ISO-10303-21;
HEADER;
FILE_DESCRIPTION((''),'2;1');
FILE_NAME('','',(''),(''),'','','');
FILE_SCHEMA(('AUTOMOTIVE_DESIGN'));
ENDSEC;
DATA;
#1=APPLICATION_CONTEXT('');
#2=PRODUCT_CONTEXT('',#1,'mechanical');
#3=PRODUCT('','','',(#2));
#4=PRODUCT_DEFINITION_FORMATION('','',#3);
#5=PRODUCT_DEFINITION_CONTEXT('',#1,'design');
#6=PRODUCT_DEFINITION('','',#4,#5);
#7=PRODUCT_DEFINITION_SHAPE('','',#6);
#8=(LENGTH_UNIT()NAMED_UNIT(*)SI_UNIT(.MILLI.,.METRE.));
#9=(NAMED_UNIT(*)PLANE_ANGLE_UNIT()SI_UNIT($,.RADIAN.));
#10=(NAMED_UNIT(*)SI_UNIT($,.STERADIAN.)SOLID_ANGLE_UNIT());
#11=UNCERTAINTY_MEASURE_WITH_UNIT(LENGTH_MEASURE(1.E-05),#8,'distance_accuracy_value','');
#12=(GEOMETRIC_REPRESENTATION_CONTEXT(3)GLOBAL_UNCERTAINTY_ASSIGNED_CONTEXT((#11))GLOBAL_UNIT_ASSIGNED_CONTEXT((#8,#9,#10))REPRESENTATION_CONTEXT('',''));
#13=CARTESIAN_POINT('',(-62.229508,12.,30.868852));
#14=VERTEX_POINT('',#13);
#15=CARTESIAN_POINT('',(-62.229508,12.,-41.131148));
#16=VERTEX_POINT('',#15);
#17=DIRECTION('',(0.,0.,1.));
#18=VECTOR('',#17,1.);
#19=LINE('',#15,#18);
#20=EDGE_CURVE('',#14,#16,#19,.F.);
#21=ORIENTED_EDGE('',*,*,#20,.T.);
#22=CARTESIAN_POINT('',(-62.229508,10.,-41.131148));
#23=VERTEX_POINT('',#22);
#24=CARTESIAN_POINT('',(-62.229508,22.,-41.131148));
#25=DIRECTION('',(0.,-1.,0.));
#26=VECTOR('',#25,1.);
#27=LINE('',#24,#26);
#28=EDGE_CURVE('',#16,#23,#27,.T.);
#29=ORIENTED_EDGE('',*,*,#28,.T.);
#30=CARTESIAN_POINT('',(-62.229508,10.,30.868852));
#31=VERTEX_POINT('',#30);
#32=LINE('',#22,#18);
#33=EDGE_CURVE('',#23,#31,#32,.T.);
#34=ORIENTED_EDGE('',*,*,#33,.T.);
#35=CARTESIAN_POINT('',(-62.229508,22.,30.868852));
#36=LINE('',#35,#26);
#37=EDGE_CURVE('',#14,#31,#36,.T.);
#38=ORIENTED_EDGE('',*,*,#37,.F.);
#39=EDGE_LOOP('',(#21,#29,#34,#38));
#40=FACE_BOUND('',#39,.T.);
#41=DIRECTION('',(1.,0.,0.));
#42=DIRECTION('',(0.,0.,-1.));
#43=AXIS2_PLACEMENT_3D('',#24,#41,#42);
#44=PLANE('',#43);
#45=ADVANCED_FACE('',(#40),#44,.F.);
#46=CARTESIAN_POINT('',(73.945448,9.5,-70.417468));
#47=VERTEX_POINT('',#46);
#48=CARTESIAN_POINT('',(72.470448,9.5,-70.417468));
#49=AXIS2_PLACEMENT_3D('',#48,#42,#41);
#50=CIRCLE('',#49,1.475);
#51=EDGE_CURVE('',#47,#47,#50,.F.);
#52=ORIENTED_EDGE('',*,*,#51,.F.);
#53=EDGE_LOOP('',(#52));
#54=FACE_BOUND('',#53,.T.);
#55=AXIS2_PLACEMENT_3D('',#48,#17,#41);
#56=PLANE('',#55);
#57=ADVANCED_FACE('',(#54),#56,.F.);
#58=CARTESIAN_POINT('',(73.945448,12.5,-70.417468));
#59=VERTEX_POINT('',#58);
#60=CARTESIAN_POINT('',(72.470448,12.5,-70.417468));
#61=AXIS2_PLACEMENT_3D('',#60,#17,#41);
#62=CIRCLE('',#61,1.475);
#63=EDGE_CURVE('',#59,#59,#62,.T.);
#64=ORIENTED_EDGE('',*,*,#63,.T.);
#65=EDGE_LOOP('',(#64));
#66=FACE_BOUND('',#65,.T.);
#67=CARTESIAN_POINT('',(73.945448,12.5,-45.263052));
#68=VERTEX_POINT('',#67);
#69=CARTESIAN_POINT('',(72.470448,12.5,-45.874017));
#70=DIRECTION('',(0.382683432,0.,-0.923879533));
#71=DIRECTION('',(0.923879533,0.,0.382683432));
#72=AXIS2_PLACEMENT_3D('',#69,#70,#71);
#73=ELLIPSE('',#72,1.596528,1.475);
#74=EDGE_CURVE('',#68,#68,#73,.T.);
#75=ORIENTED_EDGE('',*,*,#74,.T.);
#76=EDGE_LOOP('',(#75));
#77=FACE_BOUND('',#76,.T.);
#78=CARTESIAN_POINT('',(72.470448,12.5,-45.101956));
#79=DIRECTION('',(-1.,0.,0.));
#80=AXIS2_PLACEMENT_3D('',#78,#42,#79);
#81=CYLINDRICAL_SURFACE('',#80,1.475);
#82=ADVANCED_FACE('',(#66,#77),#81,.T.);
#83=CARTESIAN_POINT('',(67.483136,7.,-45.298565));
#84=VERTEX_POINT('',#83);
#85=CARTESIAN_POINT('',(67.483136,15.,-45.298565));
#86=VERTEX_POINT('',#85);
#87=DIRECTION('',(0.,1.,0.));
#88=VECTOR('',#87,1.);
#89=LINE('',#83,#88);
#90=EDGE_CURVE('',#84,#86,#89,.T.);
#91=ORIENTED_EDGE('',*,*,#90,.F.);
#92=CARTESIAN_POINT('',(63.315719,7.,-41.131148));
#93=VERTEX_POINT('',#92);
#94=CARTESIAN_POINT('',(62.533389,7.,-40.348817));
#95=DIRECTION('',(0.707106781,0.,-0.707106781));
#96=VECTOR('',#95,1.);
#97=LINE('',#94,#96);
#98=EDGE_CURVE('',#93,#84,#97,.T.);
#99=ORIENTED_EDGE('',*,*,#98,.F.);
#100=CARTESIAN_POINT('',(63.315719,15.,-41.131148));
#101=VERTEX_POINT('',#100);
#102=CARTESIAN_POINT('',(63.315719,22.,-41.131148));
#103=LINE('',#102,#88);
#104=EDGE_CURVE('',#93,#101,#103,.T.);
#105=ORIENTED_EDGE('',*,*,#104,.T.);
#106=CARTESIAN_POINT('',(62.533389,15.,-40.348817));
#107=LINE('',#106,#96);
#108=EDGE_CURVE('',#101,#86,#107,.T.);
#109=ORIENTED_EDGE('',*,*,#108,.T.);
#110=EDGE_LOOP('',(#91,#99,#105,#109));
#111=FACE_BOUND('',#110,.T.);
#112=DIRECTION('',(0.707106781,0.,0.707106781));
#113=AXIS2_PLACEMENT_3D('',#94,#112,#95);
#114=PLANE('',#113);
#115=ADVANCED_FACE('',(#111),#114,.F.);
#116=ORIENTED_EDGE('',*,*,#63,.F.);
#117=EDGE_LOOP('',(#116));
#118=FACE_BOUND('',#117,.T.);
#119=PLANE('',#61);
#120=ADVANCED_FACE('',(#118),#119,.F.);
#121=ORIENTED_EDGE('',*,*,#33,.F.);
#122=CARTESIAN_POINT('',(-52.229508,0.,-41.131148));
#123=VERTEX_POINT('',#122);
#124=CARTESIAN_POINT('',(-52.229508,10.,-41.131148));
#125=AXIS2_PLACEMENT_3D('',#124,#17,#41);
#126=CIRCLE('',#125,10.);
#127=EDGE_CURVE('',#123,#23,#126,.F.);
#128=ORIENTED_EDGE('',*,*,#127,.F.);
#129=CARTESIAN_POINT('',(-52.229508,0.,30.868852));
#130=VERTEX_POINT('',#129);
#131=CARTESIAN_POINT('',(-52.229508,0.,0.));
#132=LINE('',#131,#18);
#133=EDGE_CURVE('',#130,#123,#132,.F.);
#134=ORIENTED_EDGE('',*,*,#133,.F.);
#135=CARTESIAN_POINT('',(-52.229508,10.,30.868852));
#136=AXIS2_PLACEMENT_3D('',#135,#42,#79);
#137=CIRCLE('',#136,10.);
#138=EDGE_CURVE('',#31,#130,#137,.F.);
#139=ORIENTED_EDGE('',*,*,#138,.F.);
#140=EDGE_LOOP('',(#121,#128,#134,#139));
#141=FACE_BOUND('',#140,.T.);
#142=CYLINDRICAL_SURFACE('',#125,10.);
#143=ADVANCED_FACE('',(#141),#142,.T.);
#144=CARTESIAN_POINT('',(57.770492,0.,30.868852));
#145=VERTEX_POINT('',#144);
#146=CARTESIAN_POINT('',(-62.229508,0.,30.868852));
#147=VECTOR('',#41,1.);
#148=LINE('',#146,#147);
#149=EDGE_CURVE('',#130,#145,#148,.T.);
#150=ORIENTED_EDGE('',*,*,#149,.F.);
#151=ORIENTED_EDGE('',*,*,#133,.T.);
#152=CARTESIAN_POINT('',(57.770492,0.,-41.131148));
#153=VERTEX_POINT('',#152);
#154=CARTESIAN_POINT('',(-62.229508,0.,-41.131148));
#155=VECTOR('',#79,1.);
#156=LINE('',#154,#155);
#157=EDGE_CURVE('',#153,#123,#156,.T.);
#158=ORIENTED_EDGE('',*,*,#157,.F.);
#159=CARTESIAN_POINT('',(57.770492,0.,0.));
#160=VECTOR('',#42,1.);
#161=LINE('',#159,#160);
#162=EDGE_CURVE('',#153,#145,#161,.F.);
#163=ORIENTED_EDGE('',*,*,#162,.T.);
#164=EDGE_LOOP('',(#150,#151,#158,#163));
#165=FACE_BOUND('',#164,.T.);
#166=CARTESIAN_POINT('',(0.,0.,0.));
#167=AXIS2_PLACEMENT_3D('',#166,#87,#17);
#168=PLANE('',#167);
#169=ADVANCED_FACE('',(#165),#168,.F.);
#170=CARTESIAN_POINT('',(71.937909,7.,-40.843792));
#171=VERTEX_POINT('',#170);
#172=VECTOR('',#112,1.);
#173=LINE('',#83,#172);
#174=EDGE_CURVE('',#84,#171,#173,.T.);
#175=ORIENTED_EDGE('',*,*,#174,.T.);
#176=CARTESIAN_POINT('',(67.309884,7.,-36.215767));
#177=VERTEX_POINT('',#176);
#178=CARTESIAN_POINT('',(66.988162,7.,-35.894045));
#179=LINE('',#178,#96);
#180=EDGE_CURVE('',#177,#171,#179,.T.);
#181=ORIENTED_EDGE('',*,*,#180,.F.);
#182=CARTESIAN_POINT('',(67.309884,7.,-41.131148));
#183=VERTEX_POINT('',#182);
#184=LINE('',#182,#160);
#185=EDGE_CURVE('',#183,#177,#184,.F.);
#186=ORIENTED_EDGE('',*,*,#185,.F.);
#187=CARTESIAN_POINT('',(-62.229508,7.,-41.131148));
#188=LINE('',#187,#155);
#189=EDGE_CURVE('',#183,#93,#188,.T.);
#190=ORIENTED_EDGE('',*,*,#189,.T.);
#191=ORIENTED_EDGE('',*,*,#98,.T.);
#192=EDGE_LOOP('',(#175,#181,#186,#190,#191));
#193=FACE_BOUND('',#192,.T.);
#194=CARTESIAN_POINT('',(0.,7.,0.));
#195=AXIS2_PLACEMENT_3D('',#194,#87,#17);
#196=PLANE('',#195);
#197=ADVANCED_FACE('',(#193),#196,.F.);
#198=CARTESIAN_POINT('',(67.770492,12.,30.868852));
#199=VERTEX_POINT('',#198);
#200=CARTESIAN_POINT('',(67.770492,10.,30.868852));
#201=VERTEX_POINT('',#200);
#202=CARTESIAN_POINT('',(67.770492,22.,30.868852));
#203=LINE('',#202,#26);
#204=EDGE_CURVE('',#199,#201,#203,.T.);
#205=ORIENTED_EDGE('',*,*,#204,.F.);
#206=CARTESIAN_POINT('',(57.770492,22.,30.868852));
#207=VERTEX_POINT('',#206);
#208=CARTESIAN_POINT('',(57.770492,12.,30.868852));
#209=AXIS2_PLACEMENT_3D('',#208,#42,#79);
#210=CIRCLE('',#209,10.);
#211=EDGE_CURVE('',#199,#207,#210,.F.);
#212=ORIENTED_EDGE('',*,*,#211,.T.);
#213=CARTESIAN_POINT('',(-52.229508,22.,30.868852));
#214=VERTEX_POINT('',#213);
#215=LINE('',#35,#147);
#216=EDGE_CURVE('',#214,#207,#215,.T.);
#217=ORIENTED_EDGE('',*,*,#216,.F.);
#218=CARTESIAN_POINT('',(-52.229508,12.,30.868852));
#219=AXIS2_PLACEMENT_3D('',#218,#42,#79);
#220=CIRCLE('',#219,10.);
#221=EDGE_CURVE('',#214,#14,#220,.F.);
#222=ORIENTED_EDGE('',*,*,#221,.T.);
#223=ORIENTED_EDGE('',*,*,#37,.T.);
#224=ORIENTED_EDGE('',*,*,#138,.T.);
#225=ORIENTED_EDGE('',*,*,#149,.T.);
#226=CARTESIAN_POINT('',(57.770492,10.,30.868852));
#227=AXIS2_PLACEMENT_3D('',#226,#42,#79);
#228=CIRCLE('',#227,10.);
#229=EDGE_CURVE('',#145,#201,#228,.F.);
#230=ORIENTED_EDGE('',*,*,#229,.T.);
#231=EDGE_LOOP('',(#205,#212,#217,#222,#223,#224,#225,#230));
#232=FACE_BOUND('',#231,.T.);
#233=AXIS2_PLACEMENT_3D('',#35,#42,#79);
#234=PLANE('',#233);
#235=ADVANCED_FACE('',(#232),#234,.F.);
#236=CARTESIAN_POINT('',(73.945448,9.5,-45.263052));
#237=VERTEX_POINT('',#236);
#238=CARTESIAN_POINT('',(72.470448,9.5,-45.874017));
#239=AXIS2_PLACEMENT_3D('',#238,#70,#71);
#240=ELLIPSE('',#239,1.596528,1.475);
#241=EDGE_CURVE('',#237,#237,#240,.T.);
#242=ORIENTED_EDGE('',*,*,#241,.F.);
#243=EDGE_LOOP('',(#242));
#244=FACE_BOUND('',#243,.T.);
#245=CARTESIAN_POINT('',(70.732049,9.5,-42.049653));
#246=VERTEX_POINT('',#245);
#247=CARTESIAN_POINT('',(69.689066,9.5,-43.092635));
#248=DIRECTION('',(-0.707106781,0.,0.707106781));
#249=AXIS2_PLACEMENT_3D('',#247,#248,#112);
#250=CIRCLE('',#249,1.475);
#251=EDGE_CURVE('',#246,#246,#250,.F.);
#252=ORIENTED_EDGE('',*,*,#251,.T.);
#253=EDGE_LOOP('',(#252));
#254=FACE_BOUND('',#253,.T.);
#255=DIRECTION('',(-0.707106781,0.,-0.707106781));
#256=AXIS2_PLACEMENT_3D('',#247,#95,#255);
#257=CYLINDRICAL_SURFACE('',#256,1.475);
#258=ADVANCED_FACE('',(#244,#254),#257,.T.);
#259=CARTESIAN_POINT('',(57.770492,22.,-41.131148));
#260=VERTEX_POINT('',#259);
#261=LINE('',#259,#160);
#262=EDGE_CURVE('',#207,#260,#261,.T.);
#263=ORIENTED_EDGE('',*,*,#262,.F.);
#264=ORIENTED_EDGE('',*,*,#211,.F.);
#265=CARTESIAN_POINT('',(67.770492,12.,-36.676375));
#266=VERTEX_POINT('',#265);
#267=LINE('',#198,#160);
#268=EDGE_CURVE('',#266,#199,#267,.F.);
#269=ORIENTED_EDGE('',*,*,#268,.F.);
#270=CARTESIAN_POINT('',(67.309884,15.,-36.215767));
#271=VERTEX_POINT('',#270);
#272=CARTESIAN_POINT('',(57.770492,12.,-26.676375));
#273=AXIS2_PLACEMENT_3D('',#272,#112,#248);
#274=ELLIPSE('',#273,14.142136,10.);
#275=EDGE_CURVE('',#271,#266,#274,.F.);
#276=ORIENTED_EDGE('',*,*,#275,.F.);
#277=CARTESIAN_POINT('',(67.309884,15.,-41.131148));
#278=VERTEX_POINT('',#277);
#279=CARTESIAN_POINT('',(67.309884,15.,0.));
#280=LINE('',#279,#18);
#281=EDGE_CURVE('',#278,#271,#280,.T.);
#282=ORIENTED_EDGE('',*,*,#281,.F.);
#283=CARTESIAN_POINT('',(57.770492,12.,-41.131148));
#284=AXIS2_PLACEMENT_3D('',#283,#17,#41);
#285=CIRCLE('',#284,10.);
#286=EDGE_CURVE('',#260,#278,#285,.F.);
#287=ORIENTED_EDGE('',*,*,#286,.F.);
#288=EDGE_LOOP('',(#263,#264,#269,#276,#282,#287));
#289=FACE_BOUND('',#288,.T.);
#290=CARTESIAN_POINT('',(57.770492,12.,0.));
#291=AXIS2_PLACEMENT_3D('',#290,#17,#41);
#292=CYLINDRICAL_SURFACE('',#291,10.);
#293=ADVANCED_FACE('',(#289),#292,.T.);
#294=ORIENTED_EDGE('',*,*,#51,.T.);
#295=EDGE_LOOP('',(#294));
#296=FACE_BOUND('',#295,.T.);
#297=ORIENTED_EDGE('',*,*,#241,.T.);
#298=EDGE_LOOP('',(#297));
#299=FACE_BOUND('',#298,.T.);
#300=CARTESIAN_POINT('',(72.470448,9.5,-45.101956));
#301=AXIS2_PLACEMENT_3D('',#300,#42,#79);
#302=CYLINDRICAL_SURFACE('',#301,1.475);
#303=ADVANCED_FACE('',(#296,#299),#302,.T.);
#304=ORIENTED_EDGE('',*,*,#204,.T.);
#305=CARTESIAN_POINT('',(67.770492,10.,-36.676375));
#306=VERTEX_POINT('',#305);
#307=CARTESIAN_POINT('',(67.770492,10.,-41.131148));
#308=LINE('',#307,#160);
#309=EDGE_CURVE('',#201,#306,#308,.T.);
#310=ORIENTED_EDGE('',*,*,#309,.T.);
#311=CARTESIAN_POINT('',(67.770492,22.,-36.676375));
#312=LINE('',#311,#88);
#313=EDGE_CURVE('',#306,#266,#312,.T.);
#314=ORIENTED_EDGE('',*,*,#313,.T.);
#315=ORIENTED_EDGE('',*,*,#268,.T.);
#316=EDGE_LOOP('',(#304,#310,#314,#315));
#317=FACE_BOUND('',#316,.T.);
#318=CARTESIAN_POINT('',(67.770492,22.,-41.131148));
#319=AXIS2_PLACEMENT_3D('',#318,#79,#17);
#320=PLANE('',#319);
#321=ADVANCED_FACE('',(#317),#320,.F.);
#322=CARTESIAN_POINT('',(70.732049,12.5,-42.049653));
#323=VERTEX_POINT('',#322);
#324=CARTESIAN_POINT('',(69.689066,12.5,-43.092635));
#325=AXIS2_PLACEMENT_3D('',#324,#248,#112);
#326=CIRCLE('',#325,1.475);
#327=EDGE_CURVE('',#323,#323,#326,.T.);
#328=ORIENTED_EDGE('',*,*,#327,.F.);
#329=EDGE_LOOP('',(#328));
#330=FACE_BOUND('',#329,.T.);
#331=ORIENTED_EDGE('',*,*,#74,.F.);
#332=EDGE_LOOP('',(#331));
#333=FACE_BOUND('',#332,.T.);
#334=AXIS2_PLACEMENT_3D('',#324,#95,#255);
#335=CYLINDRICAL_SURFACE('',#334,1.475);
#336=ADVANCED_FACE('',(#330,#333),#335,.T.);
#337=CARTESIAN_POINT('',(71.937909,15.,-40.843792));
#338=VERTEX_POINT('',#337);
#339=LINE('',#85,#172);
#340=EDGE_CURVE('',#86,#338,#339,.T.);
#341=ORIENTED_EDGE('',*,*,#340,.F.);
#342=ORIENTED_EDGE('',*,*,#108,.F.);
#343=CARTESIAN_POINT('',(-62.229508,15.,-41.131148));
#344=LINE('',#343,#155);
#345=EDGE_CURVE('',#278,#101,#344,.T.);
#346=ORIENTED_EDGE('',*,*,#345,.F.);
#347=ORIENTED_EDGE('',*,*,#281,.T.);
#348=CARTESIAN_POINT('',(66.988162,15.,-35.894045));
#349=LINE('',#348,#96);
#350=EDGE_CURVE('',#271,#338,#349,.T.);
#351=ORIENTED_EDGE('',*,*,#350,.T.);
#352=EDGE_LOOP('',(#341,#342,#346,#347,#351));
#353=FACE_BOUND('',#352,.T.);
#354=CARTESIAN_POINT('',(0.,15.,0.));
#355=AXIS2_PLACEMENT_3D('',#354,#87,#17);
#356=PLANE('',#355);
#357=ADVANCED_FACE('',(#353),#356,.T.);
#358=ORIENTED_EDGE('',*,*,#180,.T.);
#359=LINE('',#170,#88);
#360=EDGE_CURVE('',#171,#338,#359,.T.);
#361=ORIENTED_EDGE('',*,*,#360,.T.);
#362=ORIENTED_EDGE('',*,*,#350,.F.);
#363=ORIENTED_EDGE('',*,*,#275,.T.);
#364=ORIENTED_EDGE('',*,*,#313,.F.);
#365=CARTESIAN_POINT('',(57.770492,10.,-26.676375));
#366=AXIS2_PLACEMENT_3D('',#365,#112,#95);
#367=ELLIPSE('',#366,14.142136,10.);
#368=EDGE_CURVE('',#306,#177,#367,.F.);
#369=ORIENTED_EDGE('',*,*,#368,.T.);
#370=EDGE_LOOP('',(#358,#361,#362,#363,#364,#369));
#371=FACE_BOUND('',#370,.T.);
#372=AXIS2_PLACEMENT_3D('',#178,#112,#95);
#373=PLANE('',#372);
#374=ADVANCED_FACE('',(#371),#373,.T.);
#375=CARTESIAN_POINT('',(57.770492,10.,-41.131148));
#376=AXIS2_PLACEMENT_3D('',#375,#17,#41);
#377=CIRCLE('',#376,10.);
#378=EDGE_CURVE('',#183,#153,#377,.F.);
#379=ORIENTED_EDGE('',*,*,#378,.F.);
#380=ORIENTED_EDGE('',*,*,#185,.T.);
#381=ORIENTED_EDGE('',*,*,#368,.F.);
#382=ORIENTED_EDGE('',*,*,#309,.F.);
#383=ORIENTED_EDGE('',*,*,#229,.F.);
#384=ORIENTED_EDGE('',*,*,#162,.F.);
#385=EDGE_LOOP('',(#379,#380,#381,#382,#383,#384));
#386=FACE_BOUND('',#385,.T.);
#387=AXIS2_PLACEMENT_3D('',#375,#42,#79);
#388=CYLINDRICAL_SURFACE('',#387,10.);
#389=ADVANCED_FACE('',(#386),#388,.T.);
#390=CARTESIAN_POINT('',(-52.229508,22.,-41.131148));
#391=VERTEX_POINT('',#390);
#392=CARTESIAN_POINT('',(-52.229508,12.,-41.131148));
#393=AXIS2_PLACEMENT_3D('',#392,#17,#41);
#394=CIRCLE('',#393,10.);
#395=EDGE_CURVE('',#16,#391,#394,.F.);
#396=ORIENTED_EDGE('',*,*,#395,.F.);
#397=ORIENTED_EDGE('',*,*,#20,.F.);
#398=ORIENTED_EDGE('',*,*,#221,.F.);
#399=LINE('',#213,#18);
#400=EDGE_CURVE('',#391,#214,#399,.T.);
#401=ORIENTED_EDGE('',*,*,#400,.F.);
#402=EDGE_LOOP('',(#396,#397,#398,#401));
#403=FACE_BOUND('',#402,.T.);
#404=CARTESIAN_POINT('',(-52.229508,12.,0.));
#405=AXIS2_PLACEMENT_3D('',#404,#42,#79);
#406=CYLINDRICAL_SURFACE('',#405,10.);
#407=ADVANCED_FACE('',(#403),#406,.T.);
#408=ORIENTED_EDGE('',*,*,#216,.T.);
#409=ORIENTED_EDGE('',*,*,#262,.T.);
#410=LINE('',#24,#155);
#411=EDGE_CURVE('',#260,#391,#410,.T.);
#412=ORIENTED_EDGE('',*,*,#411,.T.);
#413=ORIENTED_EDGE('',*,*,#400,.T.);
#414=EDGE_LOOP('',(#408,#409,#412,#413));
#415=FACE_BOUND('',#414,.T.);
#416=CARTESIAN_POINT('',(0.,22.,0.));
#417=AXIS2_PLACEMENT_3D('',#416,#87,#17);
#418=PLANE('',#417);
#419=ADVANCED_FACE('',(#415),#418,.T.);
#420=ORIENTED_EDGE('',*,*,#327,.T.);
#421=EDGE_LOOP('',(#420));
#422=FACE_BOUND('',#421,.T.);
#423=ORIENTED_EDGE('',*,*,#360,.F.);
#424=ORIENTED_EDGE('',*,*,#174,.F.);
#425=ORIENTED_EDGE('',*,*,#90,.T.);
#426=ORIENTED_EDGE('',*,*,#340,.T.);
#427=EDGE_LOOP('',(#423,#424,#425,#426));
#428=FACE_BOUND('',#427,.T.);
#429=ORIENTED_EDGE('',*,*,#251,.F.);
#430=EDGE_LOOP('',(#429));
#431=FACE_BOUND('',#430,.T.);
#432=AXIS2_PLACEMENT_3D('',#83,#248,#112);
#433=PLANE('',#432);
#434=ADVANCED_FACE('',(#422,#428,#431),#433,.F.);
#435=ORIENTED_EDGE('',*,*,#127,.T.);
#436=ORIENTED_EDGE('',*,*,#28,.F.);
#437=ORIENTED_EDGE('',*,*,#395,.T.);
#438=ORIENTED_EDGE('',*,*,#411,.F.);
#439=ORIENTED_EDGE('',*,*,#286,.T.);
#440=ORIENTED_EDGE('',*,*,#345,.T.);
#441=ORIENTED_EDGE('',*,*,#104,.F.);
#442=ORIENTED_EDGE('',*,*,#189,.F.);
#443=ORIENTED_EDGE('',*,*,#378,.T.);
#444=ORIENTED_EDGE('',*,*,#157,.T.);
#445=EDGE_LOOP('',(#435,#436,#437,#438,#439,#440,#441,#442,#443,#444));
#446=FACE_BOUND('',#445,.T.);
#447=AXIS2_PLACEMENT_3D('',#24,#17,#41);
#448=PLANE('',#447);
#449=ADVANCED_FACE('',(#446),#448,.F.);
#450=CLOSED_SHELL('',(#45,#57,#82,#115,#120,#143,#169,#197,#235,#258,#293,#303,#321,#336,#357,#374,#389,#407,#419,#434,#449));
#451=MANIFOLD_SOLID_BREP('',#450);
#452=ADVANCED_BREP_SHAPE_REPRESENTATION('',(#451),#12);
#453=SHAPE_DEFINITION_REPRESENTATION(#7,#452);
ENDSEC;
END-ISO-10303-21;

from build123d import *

# Parameters (mm, degrees)
SKETCH_1_W         = 130
SKETCH_1_H         = 72
EXTRUDE_1_DEPTH    = 22
FILLET_2_R         = 10
EXTRUDE_2_DEPTH    = 4
SWEEP_15_PROFILE_R = 1.475


with BuildPart() as part:
    # 草图1 → 凸台-拉伸1 (new body)
    with BuildSketch(Plane(origin=(0, 0, 0), x_dir=(1, 0, 0), z_dir=(0, 1, 0))):
        with Locations((2.770491803, 5.131147541)):
            Rectangle(SKETCH_1_W, SKETCH_1_H)
    extrude(amount=EXTRUDE_1_DEPTH)

    # 圆角2
    fillet_2_edges = [part.edges().sort_by_distance(p)[0] for p in [
        (67.770491803, 22, -5.131147541),
        (-62.229508197, 22, -5.131147541),
        (67.770491803, 0, -5.131147541),
        (-62.229508197, 0, -5.131147541),
    ]]
    fillet(fillet_2_edges, radius=FILLET_2_R)

    # 草图2 → 凸台-拉伸2 (add, symmetric)
    with BuildSketch(Plane(origin=(0, 11, 0), x_dir=(-1, 0, 0), z_dir=(0, -1, 0))):
        Polygon((-62.533388889, 40.348817348), (-66.98816161, 35.894044627), (-71.937909079, 40.843792095), (-67.483136357, 45.298564816), align=None)
    extrude(amount=EXTRUDE_2_DEPTH, both=True)

    # 扫描15: sweep along a path in 草图66
    with BuildLine(Plane(origin=(0, 12.5, 0), x_dir=(1, 0, 0), z_dir=(0, 1, 0))) as sweep_15_path:
        Line((69.689066092, 43.092635082), (72.470448318, 45.874017309))
        Line((72.470448318, 45.874017309), (72.470448318, 70.417467586))
    # 扫描15 profile (on start of the path) → 扫描15 (sweep)
    with BuildSketch(Plane(origin=(69.689066092, 12.5, -43.092635082), x_dir=(-0.7071067811865476, 0, -0.7071067811865476), z_dir=(0.7071067811865476, 0, -0.7071067811865476))):
        Circle(SWEEP_15_PROFILE_R)
    sweep_15 = sweep(path=sweep_15_path.line, transition=Transition.RIGHT)

    # 镜向1: 扫描15 across plane
    add(sweep_15.mirror(Plane(origin=(0, 11, 0), x_dir=(0, 0, 1), z_dir=(0, -1, 0))))


solid = part.part
